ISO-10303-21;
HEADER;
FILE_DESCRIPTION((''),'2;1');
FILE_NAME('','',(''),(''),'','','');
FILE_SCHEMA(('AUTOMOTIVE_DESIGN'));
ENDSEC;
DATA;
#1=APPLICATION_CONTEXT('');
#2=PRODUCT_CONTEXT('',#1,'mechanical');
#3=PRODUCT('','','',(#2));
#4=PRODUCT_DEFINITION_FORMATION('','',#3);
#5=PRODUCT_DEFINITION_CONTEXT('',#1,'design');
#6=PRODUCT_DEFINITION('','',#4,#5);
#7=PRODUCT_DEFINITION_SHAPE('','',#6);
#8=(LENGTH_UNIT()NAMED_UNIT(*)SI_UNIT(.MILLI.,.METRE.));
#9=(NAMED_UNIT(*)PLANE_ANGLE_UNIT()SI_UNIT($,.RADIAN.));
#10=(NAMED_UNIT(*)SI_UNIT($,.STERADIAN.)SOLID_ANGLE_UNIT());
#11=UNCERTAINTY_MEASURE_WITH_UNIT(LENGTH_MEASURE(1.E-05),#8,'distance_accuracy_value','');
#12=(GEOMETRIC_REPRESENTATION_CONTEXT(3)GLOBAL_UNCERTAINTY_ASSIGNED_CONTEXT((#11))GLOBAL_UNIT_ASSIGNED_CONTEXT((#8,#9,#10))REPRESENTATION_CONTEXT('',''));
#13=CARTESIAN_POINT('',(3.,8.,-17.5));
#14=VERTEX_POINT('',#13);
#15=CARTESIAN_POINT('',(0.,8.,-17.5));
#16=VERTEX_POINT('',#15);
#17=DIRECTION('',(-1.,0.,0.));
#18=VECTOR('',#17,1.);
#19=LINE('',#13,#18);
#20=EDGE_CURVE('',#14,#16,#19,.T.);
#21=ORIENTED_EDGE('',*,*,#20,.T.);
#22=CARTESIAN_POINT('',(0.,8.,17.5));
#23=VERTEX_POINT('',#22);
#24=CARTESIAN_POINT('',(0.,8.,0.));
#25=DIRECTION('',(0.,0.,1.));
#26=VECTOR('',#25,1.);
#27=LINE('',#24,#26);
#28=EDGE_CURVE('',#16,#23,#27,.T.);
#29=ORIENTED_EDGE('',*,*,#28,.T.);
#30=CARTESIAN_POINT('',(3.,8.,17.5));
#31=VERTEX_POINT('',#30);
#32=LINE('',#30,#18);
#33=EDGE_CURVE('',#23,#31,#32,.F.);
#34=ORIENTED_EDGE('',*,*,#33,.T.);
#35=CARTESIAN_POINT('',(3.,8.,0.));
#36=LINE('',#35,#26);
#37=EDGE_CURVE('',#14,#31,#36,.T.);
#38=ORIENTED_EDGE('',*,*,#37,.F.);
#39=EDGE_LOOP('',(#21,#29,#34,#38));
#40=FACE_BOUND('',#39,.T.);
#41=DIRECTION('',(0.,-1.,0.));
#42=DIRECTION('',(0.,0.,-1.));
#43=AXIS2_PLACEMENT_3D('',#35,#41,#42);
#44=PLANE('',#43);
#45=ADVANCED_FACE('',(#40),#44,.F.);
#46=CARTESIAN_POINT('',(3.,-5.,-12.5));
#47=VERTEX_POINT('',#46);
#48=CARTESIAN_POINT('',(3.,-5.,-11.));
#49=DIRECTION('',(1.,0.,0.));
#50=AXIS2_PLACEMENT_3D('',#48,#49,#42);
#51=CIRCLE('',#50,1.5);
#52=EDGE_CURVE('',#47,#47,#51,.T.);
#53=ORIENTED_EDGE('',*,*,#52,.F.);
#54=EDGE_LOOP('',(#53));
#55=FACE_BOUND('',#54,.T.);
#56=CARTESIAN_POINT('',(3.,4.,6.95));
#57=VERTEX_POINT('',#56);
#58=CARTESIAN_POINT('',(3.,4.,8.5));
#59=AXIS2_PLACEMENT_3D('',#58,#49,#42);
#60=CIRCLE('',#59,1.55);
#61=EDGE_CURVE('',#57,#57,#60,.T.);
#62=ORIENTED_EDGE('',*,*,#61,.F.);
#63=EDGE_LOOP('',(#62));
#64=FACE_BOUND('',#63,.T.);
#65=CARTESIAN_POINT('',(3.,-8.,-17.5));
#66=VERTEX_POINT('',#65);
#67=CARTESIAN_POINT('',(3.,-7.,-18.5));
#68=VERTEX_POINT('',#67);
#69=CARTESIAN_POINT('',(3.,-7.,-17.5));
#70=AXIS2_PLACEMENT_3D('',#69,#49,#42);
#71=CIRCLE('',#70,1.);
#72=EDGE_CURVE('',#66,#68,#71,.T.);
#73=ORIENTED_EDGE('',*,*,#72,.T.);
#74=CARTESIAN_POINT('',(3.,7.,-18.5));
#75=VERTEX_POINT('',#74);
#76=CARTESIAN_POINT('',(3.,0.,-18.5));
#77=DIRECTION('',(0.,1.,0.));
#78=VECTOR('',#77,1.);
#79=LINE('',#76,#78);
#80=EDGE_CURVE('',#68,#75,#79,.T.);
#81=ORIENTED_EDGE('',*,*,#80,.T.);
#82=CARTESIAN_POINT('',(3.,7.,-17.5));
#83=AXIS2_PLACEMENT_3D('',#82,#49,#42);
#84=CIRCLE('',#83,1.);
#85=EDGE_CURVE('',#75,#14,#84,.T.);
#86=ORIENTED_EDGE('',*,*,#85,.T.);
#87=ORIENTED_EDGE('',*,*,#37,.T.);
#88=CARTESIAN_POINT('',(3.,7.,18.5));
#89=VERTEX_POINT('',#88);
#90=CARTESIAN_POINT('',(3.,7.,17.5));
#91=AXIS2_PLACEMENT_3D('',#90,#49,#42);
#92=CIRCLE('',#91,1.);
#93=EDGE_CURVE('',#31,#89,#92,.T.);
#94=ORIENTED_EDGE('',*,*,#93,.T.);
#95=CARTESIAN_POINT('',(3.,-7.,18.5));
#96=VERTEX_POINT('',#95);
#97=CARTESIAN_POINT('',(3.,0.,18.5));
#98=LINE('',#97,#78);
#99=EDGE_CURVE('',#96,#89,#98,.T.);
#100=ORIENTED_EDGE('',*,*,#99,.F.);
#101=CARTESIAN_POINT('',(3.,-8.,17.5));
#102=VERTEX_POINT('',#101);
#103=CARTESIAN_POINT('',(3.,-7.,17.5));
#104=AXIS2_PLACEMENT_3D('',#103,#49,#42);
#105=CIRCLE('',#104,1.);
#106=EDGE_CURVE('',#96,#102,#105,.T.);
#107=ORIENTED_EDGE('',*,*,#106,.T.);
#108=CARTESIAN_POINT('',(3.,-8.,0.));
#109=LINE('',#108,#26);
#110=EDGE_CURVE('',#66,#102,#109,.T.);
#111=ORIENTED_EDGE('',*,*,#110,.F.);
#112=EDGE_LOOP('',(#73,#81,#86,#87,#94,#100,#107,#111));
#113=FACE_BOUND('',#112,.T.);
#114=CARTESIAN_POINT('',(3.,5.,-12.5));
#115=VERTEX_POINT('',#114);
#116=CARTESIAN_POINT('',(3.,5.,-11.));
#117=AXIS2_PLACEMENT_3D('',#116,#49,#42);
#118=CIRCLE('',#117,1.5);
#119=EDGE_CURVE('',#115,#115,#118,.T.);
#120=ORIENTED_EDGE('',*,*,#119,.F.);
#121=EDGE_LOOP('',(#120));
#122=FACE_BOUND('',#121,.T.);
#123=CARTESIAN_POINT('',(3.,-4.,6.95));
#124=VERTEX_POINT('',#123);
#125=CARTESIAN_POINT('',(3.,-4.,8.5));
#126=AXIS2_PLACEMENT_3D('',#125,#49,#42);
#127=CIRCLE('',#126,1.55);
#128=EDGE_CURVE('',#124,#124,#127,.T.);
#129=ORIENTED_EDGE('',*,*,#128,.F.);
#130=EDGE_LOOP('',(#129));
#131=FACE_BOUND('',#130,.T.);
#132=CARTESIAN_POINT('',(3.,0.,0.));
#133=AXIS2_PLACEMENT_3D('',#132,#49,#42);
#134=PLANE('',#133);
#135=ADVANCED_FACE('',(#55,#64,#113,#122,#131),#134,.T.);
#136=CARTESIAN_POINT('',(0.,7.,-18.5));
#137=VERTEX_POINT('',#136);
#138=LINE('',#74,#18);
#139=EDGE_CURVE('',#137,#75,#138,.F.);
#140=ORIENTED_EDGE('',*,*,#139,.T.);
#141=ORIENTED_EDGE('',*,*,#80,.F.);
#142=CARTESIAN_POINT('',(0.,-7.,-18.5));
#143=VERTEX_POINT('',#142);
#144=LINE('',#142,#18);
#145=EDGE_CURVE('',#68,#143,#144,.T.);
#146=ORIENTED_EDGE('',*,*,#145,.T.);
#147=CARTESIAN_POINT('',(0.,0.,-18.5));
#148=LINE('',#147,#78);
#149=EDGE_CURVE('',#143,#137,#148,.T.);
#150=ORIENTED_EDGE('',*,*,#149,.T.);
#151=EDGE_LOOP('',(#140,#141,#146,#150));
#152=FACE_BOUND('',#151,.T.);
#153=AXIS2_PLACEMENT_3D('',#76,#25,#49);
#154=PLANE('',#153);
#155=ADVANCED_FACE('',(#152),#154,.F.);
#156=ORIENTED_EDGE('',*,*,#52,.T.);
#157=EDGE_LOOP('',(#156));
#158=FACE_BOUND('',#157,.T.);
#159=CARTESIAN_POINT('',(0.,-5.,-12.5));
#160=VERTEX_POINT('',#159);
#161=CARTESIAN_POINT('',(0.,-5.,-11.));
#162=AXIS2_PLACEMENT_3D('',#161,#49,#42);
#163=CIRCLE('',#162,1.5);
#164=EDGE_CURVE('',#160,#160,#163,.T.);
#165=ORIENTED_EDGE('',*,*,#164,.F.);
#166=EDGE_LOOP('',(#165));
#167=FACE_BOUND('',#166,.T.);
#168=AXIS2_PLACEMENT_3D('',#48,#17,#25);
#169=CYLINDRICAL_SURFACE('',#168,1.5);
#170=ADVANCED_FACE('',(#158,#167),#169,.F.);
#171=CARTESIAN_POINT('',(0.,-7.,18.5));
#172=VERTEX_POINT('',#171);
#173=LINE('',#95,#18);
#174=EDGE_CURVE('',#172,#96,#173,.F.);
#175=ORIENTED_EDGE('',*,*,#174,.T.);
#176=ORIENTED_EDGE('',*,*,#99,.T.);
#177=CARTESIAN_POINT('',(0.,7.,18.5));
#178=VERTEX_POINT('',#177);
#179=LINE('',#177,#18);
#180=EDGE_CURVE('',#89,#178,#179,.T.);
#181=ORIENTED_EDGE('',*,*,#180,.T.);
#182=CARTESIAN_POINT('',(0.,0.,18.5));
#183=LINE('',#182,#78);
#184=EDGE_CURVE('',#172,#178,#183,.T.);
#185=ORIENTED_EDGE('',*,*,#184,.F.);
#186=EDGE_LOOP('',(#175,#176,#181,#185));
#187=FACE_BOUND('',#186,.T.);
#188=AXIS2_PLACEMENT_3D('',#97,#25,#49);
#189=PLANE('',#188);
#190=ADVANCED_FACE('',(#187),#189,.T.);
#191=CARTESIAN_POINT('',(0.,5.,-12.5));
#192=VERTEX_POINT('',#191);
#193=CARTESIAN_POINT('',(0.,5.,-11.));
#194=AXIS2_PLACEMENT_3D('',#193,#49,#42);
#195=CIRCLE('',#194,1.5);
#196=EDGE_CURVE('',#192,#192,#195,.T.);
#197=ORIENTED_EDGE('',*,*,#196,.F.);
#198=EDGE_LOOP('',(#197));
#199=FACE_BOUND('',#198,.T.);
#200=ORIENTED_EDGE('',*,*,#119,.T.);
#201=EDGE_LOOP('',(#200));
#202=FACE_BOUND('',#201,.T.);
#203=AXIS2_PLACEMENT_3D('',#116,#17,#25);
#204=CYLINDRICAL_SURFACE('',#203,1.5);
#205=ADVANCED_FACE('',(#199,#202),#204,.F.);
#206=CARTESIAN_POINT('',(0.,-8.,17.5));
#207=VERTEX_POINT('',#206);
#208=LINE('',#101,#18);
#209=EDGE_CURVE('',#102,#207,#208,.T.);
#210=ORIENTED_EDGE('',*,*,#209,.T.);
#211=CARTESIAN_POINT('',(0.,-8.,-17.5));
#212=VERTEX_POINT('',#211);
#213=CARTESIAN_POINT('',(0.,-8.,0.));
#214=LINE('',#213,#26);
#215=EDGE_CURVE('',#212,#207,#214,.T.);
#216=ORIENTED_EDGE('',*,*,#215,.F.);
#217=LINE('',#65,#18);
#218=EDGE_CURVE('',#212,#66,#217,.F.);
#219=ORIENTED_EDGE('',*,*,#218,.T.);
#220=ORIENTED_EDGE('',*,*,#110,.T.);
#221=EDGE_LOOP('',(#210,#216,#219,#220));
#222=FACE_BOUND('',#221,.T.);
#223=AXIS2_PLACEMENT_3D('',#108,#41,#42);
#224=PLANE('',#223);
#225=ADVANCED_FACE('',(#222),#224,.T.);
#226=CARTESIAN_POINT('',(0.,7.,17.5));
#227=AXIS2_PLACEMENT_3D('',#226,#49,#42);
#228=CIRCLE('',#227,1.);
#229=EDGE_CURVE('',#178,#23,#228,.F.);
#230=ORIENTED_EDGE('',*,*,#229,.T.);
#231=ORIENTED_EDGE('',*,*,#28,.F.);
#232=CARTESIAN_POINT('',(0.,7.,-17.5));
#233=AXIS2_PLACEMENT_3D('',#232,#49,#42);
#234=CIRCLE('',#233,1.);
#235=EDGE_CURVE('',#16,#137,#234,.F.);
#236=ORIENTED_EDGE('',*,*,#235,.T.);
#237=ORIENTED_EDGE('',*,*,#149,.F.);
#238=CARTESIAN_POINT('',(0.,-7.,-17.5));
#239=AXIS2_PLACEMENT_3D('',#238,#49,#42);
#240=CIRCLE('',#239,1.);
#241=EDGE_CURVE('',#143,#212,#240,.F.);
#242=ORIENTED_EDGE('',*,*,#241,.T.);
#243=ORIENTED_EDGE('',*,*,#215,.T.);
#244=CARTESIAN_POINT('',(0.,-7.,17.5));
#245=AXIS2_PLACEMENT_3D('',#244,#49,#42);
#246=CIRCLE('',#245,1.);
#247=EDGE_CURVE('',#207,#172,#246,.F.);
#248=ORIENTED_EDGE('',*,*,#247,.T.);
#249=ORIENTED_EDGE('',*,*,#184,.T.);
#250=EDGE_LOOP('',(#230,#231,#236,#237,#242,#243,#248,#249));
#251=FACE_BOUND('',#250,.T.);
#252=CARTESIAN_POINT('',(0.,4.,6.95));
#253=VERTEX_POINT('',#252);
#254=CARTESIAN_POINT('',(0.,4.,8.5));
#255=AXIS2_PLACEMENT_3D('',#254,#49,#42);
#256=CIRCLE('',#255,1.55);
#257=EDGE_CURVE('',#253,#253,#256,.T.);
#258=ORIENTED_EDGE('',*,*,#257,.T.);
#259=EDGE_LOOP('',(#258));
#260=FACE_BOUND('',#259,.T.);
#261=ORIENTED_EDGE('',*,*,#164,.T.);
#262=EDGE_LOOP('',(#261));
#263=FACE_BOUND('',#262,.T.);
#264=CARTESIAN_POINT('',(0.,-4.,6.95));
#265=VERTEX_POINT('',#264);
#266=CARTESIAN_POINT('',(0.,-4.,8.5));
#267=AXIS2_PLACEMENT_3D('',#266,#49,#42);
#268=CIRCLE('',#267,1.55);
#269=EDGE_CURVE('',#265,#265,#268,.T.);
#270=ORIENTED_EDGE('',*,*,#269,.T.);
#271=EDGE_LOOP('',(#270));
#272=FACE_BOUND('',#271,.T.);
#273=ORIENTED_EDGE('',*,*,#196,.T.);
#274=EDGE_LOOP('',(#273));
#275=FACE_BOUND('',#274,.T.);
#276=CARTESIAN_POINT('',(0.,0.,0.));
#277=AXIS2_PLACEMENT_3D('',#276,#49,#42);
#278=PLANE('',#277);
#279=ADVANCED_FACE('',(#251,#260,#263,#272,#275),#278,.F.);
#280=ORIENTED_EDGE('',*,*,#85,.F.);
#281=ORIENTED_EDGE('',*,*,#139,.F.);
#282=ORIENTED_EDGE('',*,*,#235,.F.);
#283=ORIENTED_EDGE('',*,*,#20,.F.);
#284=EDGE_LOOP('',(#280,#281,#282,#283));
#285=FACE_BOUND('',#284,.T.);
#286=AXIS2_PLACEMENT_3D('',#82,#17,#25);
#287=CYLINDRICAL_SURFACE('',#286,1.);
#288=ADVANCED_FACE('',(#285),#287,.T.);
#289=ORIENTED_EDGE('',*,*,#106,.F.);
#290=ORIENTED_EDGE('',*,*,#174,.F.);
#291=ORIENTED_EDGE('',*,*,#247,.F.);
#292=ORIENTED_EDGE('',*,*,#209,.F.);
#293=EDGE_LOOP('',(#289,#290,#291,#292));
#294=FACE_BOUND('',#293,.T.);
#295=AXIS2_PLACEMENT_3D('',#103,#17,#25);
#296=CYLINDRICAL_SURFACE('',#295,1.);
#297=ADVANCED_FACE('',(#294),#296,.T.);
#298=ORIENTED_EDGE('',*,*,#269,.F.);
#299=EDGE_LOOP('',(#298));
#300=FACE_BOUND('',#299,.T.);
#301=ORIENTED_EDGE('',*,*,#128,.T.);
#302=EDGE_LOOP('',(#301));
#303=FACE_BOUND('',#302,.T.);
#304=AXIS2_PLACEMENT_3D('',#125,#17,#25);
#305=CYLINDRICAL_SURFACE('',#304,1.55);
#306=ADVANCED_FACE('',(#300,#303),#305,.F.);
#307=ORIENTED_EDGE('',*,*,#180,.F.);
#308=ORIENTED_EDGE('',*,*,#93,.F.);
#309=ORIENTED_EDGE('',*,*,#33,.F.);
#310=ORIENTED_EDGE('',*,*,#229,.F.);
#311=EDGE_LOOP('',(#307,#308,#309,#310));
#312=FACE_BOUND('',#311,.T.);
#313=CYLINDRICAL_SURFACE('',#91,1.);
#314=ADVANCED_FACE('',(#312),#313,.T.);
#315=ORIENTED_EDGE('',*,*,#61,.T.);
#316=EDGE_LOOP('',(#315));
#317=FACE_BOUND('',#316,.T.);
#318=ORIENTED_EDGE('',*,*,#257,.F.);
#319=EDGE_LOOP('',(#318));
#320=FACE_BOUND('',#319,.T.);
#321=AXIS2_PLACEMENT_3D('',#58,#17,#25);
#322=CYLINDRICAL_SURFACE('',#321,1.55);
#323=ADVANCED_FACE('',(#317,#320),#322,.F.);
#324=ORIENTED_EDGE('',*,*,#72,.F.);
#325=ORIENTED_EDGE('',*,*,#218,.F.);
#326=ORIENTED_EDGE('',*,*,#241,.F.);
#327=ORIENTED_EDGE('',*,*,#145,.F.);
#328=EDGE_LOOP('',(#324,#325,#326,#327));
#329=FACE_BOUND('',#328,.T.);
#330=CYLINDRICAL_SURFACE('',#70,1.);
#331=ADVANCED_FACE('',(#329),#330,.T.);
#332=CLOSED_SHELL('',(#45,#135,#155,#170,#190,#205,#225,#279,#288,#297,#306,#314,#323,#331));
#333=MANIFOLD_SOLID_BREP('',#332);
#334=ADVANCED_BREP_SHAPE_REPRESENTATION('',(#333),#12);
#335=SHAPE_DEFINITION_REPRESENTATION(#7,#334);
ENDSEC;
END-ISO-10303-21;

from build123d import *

# Parameters (mm, degrees)
SKETCH_1_W      = 37
SKETCH_1_H      = 16
SKETCH_1_R      = 1.5
SKETCH_1_R_2    = 1.55
EXTRUDE_1_DEPTH = 3
FILLET_1_R      = 1


with BuildPart() as part:
    # 草图1 → 凸台-拉伸1 (new body)
    with BuildSketch(Plane(origin=(0, 0, 0), x_dir=(0, 0, -1), z_dir=(1, 0, 0))):
        Rectangle(SKETCH_1_W, SKETCH_1_H)
        with Locations((11, 5)):
            Circle(SKETCH_1_R, mode=Mode.SUBTRACT)
        with Locations((11, -5)):
            Circle(SKETCH_1_R, mode=Mode.SUBTRACT)
        with Locations((-8.5, 4)):
            Circle(SKETCH_1_R_2, mode=Mode.SUBTRACT)
        with Locations((-8.5, -4)):
            Circle(SKETCH_1_R_2, mode=Mode.SUBTRACT)
    extrude(amount=EXTRUDE_1_DEPTH)

    # 圆角1
    fillet_1_edges = [part.edges().sort_by_distance(p)[0] for p in [
        (1.5, 8, 18.5),
        (1.5, 8, -18.5),
        (1.5, -8, -18.5),
        (1.5, -8, 18.5),
    ]]
    fillet(fillet_1_edges, radius=FILLET_1_R)


solid = part.part
